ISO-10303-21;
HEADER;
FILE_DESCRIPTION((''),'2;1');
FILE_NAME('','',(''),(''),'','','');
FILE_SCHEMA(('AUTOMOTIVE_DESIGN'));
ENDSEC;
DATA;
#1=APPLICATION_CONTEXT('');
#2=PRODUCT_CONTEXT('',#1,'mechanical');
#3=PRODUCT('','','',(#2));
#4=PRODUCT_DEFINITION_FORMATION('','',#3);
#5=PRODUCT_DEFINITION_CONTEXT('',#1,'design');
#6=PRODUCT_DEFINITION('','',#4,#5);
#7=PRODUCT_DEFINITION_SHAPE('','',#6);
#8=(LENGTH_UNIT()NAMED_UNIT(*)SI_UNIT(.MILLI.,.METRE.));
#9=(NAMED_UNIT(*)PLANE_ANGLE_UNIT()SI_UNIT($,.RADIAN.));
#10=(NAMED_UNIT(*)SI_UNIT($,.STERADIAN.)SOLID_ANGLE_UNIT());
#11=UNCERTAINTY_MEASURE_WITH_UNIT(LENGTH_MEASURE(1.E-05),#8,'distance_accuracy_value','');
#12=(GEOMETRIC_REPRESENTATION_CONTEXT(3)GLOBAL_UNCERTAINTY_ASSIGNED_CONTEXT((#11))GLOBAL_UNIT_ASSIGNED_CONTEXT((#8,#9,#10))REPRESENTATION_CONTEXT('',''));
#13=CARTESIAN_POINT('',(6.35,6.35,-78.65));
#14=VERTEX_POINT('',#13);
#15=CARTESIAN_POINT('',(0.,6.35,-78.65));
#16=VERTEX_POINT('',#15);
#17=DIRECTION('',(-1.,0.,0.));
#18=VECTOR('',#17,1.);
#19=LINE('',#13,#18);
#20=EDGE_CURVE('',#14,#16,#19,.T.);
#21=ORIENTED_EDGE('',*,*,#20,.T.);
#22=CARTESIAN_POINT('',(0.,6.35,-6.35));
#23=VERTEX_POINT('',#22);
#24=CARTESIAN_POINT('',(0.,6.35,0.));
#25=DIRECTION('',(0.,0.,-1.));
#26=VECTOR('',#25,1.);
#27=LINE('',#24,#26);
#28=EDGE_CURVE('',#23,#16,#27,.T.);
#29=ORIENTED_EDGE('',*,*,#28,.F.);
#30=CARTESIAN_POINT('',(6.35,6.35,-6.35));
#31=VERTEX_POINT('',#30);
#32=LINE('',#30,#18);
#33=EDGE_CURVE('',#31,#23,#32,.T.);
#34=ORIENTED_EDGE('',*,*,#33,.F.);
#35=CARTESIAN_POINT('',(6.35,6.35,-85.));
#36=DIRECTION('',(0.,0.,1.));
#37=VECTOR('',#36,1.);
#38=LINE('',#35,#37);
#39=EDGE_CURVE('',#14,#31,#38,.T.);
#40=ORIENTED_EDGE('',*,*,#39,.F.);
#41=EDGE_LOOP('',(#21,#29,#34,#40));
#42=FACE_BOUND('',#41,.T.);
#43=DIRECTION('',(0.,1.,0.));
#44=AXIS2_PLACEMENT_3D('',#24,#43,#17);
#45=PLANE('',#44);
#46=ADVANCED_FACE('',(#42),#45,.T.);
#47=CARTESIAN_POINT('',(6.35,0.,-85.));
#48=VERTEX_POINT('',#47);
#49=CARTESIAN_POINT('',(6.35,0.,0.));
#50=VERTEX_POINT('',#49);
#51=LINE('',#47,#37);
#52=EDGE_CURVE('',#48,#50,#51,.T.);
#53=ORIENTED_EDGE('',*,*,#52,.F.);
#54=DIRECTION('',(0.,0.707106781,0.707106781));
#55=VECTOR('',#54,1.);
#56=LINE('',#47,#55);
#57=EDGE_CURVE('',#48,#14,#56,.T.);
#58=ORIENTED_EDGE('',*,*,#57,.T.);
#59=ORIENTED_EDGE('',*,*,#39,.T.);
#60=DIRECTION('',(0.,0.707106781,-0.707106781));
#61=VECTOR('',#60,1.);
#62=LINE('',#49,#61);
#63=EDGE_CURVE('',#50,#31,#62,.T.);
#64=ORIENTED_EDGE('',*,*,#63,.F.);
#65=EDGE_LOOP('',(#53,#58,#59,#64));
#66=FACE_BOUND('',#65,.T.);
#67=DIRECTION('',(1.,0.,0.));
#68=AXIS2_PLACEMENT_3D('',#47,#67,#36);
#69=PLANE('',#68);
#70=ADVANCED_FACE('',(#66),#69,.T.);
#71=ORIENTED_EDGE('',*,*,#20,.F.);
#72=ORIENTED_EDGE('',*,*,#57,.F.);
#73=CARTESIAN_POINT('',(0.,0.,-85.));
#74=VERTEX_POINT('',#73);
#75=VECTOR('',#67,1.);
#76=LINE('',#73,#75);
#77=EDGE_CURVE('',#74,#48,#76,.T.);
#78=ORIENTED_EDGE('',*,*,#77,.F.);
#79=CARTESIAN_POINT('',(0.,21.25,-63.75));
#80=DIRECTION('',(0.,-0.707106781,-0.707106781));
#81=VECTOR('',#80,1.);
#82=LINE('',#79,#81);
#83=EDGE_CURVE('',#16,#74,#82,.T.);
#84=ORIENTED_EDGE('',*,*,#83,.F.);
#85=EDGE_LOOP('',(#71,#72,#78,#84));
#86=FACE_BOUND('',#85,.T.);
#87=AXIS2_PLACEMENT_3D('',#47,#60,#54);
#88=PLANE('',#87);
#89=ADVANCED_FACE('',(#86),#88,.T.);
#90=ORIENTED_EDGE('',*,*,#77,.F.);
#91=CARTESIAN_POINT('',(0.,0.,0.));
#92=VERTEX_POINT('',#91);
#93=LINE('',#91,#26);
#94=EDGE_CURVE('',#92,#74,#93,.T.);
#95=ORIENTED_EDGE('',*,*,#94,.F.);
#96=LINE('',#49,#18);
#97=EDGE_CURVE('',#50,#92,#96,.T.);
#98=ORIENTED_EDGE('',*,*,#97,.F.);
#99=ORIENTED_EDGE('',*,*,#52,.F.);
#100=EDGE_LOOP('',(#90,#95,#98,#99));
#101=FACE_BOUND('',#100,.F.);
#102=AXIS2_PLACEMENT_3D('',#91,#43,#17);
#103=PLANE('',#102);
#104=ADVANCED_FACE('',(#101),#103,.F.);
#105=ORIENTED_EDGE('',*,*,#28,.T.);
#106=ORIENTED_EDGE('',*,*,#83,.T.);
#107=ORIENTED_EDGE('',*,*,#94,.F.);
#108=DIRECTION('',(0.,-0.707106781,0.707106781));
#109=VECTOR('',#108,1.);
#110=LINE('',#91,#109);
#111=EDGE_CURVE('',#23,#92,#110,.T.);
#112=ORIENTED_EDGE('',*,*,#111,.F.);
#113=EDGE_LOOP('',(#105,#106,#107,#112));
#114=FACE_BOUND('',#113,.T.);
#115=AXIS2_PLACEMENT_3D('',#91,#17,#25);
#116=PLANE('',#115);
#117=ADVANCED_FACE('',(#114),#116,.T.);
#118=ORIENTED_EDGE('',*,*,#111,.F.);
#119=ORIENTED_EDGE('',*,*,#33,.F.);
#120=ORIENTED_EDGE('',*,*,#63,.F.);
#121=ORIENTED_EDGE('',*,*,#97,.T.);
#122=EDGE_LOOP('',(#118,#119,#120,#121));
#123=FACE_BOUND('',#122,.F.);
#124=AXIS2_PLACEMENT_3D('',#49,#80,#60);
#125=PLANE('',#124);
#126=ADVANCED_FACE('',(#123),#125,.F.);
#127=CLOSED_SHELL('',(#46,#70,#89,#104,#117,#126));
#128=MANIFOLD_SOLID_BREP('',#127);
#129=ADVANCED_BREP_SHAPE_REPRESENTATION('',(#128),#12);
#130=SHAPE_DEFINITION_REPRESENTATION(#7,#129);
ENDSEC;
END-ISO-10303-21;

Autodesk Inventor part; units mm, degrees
ref_plane "YZ Plane" through (0, 0, 0) normal (1, 0, 0) x (0, 1, 0)
ref_plane "XZ Plane" through (0, 0, 0) normal (0, 1, 0) x (-1, 0, 0)
ref_plane "XY Plane" through (0, 0, 0) normal (0, 0, 1) x (1, 0, 0)
sketch "Sketch1" plane through (0, 0, 0) normal (0, 1, 0) x (-1, 0, 0)
  line L0 (0, 0) -> (0, -85)
  line L1 (0, -85) -> (-6.35, -85)
  line L2 (-6.35, -85) -> (-6.35, 0)
  line L3 (-6.35, 0) -> (0, 0)
  dimension "d0" = 85
  dimension "d1" = 6.35
extrude "Extrusion1" add sketch "Sketch1" along normal blind 6.35
sketch "Sketch2" plane through (6.35, 0, 0) normal (1, 0, 0) x (0, 0, -1)
  line L0 (85, 0) -> (0, 0) projected
  line L1 (0, 0) -> (6.35, 6.35)
  line L2 (85, 6.35) -> (0, 6.35) projected
  line L3 (0, 0) -> (8.9803, 0) construction
  line L4 (6.35, 6.35) -> (0, 6.35)
  line L5 (0, 6.35) -> (0, 0)
  dimension "d4" = 45
extrude "Extrusion2" cut sketch "Sketch2" against normal blind 10
sketch "Sketch3" plane through (6.35, 0, -85) normal (1, 0, 0) x (0, 0, -1)
  line L0 (0, 0) -> (-6.35, 6.35)
  line L1 (0, 6.35) -> (-78.65, 6.35) projected
  line L2 (0, 0) -> (8.9803, 0) construction
  line L3 (-6.35, 6.35) -> (0, 6.35)
  line L4 (0, 6.35) -> (0, 0)
  point P0 (-85, 0)
  dimension "d7" = 135
extrude "Extrusion3" cut sketch "Sketch3" against normal blind 10
properties part number "MainAngle"
